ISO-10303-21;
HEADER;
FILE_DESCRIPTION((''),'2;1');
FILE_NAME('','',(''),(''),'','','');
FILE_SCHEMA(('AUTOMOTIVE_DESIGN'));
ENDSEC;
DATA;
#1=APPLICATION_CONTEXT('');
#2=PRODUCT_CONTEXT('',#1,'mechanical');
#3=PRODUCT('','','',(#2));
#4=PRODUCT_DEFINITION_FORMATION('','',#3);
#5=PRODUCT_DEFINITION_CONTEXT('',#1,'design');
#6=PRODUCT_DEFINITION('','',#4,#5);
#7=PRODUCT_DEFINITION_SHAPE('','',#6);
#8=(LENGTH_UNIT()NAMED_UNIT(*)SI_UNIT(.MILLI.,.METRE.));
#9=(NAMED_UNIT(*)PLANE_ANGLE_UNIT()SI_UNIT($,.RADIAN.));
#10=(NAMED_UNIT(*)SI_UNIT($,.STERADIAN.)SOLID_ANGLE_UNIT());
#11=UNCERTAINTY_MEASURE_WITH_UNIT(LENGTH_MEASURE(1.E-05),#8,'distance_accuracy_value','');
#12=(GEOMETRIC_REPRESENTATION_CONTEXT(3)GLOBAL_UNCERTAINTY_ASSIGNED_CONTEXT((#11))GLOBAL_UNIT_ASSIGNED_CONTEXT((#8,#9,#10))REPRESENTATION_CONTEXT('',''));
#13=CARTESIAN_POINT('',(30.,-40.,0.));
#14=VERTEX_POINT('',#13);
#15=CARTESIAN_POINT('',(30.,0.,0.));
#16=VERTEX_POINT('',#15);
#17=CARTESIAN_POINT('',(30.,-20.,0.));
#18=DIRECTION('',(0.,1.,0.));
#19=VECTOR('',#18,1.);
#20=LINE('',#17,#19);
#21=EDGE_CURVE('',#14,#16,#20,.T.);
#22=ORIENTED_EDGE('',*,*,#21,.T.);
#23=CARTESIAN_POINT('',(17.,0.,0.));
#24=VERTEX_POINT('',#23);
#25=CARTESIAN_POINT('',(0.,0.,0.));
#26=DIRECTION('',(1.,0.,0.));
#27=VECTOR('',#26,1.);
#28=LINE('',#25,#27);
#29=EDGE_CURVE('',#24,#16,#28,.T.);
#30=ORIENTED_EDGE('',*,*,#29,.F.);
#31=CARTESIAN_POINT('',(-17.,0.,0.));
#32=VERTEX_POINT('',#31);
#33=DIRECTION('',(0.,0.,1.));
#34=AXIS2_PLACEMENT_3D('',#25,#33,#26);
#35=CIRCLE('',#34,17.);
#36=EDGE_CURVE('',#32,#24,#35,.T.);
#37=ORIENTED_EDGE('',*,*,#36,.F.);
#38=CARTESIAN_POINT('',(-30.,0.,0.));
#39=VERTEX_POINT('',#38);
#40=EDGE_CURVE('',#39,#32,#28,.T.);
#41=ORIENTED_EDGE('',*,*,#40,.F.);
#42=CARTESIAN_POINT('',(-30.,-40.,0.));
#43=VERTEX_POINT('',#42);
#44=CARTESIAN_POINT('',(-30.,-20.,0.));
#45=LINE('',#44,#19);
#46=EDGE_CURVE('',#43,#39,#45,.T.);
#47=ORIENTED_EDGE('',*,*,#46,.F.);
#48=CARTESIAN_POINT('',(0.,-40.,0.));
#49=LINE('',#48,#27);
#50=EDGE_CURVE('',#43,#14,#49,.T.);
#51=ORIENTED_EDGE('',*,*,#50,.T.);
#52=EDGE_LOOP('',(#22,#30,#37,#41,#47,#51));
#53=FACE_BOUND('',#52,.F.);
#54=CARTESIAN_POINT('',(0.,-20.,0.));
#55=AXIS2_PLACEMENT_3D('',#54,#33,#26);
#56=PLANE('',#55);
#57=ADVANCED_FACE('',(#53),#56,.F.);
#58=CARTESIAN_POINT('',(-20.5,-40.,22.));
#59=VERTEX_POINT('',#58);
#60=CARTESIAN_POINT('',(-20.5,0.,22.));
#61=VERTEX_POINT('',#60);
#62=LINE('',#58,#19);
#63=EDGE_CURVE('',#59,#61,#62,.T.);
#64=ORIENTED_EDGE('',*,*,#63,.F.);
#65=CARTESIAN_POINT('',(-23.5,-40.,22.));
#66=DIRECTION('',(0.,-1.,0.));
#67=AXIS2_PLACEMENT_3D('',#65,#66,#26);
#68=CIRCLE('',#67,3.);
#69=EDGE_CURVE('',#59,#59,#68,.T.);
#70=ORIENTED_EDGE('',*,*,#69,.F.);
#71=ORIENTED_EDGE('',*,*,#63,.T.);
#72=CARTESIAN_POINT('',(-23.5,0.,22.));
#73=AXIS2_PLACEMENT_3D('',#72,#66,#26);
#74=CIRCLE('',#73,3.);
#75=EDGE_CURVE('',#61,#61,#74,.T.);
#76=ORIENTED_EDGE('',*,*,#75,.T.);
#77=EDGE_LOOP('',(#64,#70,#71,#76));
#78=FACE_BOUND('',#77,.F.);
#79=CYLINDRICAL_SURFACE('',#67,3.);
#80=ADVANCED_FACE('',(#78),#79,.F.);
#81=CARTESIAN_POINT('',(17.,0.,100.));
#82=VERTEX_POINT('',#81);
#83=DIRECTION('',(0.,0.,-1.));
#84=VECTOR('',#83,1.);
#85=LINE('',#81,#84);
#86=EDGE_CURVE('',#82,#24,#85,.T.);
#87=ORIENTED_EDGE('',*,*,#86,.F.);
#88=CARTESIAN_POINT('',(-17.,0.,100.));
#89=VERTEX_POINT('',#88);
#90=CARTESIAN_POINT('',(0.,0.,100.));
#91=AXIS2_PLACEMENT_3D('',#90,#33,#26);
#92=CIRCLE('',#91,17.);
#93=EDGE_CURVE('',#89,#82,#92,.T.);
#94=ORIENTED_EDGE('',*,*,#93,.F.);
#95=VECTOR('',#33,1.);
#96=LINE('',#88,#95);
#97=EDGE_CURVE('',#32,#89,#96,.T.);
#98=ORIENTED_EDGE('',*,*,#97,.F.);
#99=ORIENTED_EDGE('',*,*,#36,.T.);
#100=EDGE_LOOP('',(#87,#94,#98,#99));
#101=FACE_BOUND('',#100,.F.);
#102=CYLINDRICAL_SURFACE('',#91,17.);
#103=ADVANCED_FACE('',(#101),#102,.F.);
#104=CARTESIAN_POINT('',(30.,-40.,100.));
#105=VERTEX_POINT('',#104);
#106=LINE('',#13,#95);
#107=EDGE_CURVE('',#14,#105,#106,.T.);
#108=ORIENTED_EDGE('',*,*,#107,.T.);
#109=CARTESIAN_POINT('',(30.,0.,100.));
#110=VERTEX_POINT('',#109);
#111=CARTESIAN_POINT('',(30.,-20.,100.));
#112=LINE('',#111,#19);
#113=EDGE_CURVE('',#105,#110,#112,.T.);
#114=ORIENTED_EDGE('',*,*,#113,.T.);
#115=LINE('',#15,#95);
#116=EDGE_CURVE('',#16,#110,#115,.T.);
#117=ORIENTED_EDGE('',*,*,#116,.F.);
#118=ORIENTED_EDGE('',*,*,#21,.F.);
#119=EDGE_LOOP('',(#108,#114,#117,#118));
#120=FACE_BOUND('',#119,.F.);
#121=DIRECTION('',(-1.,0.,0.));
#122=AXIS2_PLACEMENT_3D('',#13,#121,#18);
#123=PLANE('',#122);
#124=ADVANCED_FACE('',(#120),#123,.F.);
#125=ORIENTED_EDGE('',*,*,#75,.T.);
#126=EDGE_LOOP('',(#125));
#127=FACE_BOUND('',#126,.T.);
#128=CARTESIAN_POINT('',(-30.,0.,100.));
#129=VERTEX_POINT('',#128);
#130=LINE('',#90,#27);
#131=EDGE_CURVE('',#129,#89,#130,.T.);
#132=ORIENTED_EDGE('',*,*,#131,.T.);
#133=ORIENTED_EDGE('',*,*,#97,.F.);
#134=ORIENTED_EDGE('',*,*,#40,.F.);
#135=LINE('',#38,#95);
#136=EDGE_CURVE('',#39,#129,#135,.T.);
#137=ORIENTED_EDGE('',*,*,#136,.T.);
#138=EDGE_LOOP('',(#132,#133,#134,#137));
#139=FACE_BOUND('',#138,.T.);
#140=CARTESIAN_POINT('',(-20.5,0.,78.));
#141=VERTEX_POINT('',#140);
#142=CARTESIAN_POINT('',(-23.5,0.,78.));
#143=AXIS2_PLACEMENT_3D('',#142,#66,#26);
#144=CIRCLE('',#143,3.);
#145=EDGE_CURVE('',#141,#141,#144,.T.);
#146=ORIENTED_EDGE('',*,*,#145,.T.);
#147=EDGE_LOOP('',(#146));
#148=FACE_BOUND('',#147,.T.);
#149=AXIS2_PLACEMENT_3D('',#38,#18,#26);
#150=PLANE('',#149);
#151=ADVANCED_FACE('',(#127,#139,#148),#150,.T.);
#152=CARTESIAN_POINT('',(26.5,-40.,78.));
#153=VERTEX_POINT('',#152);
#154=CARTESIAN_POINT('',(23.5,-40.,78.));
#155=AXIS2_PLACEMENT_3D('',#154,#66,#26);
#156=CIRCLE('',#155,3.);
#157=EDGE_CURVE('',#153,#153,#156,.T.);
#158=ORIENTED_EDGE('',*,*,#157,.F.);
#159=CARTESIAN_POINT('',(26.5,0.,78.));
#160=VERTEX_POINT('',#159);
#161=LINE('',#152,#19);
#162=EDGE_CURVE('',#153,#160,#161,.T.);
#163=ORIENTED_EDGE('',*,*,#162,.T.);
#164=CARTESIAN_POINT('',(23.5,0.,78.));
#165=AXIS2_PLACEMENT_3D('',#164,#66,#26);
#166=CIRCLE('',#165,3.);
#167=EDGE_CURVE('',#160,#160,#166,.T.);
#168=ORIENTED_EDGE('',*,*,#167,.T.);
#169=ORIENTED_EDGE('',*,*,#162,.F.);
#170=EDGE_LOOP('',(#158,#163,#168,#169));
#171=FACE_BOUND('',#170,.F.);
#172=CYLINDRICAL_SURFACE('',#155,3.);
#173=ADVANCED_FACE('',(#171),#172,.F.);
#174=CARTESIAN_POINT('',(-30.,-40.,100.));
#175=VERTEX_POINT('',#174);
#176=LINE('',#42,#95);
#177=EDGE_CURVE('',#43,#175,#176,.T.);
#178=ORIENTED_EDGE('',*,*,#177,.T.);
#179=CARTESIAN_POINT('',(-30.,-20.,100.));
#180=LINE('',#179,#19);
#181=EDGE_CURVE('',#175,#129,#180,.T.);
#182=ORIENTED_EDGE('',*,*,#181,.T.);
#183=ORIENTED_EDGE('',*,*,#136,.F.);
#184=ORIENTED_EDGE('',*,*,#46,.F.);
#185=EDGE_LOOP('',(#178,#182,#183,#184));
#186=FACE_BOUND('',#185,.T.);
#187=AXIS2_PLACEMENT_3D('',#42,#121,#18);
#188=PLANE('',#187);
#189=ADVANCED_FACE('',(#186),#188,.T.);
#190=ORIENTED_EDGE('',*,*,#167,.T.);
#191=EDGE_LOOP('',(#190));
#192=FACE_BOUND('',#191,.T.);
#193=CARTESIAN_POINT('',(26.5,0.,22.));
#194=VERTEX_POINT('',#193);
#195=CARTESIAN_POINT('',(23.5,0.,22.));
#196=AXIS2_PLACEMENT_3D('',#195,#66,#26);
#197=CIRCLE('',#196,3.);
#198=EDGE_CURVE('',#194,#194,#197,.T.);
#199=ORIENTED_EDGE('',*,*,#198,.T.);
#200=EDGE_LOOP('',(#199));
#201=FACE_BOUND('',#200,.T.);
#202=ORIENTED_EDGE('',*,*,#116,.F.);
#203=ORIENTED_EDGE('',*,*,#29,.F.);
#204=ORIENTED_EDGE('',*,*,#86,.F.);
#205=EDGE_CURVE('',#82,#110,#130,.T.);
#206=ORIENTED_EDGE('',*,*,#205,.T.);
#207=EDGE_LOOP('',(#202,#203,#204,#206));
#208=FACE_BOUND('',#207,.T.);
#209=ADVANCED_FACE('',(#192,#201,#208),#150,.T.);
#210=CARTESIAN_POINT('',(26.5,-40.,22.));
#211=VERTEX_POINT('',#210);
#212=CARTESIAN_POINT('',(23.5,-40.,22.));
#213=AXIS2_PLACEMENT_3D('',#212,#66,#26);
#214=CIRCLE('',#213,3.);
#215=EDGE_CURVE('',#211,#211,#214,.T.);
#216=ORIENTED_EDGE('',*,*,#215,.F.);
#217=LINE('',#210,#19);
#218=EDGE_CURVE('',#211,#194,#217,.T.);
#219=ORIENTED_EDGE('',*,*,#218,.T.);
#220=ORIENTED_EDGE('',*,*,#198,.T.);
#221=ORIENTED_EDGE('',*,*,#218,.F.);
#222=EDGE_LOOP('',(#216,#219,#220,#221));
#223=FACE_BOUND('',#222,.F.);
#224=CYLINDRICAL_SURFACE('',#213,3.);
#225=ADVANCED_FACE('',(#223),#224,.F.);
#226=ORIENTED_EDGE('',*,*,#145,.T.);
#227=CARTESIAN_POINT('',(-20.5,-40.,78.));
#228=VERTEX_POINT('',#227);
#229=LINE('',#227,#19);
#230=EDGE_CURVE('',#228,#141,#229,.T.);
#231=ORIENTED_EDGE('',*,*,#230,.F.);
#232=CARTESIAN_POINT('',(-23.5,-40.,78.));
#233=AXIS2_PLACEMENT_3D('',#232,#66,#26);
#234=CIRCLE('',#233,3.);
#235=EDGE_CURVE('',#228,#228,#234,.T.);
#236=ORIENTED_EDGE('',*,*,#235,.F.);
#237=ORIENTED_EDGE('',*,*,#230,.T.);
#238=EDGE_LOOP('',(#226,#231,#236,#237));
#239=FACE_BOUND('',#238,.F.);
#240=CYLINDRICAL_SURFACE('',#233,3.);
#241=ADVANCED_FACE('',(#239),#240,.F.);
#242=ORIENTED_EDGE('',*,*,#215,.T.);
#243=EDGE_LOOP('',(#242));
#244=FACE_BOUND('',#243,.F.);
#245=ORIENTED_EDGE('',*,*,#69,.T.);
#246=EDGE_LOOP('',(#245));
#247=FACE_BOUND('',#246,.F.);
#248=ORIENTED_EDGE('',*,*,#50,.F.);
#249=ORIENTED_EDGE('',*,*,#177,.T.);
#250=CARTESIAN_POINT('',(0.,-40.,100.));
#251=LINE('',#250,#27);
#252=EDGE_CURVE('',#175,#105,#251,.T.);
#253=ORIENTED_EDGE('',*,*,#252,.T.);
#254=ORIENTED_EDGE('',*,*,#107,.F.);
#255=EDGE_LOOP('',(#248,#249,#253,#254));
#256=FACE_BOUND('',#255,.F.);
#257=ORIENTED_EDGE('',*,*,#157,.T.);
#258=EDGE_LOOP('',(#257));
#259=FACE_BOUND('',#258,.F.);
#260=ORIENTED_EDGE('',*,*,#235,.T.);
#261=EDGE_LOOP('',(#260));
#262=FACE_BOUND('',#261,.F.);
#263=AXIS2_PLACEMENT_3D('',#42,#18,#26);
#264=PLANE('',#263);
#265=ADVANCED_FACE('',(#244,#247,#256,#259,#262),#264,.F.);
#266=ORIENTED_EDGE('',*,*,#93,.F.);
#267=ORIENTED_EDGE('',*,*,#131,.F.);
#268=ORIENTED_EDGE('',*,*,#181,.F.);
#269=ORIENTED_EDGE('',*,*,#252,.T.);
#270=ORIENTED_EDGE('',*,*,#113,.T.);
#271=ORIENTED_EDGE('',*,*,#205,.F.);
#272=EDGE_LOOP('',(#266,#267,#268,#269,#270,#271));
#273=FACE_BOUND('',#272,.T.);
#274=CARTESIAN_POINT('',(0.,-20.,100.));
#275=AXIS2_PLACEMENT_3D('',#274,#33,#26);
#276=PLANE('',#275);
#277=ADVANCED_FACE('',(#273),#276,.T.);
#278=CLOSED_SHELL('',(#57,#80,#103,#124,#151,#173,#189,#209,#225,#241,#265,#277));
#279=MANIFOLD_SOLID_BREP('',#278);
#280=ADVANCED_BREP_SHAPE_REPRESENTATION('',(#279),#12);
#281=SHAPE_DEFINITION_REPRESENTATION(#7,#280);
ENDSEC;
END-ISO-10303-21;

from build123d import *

# Parameters (mm, degrees)
F0_W     = 60
F0_H     = 40
F1_DEPTH = 100
F2_R     = 17
F3_DEPTH = 100
F4_R     = 3
F5_DEPTH = 45


with BuildPart() as f1:
    # F0 (on Top) → F1 (new body)
    with BuildSketch(Plane.XY):
        with Locations((0, -20)):
            Rectangle(F0_W, F0_H)
    extrude(amount=F1_DEPTH)

    # F2 (on face) → F3 (cut)
    with BuildSketch(Plane.XY.offset(100)):
        Circle(F2_R)
    extrude(amount=-F3_DEPTH, mode=Mode.SUBTRACT)

    # F4 (on face) → F5 (cut)
    with BuildSketch(Plane.XZ.offset(40)):
        with Locations((-23.5, 78)):
            Circle(F4_R)
        with Locations((-23.5, 22)):
            Circle(F4_R)
        with Locations((23.5, 22)):
            Circle(F4_R)
        with Locations((23.5, 78)):
            Circle(F4_R)
    extrude(amount=-F5_DEPTH, mode=Mode.SUBTRACT)


solid = f1.part
